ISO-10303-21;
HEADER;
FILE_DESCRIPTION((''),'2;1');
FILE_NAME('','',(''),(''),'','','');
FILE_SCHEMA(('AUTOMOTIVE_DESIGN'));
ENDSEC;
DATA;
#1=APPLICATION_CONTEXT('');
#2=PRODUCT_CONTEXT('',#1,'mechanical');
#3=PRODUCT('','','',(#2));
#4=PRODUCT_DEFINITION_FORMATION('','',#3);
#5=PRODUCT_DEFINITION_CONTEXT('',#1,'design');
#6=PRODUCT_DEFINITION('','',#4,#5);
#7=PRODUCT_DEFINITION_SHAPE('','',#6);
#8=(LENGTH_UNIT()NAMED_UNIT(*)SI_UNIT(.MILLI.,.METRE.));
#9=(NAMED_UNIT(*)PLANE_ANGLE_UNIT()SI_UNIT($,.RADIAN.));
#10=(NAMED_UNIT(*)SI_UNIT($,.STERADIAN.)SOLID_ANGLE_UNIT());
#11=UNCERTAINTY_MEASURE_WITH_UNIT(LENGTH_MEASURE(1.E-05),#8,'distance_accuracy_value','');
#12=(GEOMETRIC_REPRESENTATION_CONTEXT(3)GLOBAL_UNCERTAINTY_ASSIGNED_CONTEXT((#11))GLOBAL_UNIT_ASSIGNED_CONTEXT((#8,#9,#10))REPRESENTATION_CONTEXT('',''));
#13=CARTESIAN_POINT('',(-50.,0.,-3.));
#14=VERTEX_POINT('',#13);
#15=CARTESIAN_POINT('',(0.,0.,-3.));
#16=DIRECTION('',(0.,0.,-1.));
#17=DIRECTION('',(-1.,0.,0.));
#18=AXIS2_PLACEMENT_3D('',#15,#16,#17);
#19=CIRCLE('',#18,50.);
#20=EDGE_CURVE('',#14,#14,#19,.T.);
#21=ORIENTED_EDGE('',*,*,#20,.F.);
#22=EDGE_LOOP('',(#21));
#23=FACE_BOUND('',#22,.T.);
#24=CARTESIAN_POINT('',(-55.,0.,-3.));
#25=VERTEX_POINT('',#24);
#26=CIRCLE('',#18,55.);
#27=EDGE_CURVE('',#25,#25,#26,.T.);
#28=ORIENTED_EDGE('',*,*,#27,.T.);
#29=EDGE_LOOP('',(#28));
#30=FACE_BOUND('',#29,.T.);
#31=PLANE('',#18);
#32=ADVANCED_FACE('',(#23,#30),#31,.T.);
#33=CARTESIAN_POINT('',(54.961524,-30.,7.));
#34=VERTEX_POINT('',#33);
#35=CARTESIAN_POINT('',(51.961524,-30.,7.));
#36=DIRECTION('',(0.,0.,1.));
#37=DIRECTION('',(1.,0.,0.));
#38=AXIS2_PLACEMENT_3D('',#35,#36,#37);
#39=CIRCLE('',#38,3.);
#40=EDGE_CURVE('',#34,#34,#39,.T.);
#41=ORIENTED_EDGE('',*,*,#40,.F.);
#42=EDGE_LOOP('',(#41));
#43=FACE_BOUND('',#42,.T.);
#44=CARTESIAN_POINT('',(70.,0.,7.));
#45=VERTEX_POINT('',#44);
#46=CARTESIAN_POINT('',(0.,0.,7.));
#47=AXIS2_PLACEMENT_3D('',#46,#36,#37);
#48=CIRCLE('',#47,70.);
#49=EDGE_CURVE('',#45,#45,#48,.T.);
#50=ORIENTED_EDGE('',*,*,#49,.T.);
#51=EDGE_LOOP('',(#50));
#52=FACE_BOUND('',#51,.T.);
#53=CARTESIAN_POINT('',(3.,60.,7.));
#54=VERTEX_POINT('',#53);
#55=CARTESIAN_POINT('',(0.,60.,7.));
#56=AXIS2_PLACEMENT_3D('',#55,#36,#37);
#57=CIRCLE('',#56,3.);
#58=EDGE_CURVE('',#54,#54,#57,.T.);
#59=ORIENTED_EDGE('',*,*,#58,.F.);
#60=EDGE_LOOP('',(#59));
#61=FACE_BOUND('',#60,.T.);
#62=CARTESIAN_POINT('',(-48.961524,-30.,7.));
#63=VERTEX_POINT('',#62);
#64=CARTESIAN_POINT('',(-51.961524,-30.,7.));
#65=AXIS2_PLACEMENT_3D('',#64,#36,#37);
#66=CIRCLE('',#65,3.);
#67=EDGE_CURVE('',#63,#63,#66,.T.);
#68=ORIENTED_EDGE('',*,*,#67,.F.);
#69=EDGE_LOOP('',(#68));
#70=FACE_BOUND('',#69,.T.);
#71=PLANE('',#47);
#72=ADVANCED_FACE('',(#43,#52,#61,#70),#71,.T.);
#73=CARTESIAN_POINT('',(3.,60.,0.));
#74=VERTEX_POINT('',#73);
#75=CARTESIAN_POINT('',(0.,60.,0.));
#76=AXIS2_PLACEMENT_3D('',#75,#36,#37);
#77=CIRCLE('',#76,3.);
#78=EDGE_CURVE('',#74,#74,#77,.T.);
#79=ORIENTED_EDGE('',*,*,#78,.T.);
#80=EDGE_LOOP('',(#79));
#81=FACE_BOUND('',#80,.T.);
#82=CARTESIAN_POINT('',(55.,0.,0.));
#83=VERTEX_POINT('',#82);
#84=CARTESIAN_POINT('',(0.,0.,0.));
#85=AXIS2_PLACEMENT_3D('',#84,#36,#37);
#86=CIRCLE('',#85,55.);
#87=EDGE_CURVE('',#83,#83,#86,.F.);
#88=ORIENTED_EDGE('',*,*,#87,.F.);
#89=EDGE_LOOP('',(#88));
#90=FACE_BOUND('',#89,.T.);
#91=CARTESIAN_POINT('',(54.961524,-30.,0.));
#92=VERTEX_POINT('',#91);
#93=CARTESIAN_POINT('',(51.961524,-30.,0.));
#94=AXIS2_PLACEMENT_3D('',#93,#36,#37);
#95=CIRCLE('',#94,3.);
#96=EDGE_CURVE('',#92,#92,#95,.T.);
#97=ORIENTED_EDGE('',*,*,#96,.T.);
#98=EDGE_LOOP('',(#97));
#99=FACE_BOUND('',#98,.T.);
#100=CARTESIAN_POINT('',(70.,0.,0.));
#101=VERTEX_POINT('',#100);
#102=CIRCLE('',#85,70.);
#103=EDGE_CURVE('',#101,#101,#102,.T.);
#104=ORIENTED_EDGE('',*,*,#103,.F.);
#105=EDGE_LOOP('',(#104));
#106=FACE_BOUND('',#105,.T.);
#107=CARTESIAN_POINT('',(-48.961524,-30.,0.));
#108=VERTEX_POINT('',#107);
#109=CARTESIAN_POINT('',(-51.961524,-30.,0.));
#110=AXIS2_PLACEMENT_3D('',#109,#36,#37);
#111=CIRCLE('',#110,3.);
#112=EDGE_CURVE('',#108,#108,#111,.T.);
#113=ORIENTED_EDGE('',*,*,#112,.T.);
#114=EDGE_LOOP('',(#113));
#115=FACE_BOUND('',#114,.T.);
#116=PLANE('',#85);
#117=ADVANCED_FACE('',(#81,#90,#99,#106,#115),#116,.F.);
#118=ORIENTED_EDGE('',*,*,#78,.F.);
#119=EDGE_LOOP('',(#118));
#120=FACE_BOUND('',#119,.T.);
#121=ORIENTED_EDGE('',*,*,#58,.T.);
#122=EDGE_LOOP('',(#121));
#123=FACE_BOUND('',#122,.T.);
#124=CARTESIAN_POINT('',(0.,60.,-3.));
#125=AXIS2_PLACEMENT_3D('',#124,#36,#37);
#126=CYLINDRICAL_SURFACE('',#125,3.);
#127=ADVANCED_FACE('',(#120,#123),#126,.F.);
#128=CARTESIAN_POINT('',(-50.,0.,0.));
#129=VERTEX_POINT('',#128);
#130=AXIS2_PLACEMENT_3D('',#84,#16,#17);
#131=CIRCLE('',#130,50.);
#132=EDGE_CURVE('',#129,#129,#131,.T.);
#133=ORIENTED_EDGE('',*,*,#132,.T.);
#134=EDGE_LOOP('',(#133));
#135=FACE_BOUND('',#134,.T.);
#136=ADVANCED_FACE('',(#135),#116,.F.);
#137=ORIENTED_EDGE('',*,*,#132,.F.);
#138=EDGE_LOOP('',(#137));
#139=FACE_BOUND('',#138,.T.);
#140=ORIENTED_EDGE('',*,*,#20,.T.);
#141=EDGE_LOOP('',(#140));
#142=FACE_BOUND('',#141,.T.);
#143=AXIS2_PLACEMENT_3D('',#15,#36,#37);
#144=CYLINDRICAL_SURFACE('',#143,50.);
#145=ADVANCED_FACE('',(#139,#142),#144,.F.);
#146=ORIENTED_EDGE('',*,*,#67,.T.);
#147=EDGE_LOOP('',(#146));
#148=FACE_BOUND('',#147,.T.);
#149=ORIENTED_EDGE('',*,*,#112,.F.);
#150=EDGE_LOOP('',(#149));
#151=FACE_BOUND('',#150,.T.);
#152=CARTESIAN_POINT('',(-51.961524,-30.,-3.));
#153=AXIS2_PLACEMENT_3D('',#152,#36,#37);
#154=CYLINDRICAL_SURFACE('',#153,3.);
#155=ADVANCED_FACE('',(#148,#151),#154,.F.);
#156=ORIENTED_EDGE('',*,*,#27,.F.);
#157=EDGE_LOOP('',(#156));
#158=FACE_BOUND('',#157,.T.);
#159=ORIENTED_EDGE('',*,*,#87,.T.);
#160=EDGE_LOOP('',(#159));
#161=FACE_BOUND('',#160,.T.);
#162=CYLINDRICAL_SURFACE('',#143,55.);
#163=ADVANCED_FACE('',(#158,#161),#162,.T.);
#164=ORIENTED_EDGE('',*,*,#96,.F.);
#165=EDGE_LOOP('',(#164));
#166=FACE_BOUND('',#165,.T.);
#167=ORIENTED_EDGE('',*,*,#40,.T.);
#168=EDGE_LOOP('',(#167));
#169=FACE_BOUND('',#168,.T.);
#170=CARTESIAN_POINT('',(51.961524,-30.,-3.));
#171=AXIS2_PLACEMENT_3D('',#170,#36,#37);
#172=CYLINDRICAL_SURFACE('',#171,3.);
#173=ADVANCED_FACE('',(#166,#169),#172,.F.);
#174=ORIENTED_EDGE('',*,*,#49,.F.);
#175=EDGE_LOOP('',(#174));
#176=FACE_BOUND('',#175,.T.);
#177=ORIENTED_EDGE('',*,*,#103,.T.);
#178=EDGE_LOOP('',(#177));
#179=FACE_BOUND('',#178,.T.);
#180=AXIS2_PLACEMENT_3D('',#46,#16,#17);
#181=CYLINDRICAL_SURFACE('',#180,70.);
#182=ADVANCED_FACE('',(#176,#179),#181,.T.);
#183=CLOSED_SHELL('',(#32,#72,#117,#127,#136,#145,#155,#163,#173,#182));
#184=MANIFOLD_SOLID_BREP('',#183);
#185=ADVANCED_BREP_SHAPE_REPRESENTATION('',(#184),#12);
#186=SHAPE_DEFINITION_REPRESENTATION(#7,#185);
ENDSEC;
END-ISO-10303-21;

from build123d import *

# Parameters (mm, degrees)
SKETCH1_R           = 70
BOSS_EXTRUDE1_DEPTH = 7
SKETCH2_R           = 55
SKETCH2_R_2         = 50
BOSS_EXTRUDE2_DEPTH = 3
SKETCH3_R           = 3
CUT_EXTRUDE1_DEPTH  = 11


with BuildPart() as part:
    # Sketch1 → Boss-Extrude1 (new body)
    with BuildSketch(Plane.XY):
        Circle(SKETCH1_R)
    extrude(amount=BOSS_EXTRUDE1_DEPTH)

    # Sketch2 → Boss-Extrude2 (add)
    with BuildSketch(Plane(origin=(0, 0, 0), x_dir=(-1, 0, 0), z_dir=(0, 0, -1))):
        Circle(SKETCH2_R)
        Circle(SKETCH2_R_2, mode=Mode.SUBTRACT)
    extrude(amount=BOSS_EXTRUDE2_DEPTH)

    # Sketch3 → Cut-Extrude1 (cut, through all)
    with BuildSketch(Plane.XY.offset(7)):
        with Locations((0, 60)):
            Circle(SKETCH3_R)
        with Locations((51.961524227, -30)):
            Circle(SKETCH3_R)
        with Locations((-51.961524227, -30)):
            Circle(SKETCH3_R)
    extrude(amount=-CUT_EXTRUDE1_DEPTH, mode=Mode.SUBTRACT)


solid = part.part
